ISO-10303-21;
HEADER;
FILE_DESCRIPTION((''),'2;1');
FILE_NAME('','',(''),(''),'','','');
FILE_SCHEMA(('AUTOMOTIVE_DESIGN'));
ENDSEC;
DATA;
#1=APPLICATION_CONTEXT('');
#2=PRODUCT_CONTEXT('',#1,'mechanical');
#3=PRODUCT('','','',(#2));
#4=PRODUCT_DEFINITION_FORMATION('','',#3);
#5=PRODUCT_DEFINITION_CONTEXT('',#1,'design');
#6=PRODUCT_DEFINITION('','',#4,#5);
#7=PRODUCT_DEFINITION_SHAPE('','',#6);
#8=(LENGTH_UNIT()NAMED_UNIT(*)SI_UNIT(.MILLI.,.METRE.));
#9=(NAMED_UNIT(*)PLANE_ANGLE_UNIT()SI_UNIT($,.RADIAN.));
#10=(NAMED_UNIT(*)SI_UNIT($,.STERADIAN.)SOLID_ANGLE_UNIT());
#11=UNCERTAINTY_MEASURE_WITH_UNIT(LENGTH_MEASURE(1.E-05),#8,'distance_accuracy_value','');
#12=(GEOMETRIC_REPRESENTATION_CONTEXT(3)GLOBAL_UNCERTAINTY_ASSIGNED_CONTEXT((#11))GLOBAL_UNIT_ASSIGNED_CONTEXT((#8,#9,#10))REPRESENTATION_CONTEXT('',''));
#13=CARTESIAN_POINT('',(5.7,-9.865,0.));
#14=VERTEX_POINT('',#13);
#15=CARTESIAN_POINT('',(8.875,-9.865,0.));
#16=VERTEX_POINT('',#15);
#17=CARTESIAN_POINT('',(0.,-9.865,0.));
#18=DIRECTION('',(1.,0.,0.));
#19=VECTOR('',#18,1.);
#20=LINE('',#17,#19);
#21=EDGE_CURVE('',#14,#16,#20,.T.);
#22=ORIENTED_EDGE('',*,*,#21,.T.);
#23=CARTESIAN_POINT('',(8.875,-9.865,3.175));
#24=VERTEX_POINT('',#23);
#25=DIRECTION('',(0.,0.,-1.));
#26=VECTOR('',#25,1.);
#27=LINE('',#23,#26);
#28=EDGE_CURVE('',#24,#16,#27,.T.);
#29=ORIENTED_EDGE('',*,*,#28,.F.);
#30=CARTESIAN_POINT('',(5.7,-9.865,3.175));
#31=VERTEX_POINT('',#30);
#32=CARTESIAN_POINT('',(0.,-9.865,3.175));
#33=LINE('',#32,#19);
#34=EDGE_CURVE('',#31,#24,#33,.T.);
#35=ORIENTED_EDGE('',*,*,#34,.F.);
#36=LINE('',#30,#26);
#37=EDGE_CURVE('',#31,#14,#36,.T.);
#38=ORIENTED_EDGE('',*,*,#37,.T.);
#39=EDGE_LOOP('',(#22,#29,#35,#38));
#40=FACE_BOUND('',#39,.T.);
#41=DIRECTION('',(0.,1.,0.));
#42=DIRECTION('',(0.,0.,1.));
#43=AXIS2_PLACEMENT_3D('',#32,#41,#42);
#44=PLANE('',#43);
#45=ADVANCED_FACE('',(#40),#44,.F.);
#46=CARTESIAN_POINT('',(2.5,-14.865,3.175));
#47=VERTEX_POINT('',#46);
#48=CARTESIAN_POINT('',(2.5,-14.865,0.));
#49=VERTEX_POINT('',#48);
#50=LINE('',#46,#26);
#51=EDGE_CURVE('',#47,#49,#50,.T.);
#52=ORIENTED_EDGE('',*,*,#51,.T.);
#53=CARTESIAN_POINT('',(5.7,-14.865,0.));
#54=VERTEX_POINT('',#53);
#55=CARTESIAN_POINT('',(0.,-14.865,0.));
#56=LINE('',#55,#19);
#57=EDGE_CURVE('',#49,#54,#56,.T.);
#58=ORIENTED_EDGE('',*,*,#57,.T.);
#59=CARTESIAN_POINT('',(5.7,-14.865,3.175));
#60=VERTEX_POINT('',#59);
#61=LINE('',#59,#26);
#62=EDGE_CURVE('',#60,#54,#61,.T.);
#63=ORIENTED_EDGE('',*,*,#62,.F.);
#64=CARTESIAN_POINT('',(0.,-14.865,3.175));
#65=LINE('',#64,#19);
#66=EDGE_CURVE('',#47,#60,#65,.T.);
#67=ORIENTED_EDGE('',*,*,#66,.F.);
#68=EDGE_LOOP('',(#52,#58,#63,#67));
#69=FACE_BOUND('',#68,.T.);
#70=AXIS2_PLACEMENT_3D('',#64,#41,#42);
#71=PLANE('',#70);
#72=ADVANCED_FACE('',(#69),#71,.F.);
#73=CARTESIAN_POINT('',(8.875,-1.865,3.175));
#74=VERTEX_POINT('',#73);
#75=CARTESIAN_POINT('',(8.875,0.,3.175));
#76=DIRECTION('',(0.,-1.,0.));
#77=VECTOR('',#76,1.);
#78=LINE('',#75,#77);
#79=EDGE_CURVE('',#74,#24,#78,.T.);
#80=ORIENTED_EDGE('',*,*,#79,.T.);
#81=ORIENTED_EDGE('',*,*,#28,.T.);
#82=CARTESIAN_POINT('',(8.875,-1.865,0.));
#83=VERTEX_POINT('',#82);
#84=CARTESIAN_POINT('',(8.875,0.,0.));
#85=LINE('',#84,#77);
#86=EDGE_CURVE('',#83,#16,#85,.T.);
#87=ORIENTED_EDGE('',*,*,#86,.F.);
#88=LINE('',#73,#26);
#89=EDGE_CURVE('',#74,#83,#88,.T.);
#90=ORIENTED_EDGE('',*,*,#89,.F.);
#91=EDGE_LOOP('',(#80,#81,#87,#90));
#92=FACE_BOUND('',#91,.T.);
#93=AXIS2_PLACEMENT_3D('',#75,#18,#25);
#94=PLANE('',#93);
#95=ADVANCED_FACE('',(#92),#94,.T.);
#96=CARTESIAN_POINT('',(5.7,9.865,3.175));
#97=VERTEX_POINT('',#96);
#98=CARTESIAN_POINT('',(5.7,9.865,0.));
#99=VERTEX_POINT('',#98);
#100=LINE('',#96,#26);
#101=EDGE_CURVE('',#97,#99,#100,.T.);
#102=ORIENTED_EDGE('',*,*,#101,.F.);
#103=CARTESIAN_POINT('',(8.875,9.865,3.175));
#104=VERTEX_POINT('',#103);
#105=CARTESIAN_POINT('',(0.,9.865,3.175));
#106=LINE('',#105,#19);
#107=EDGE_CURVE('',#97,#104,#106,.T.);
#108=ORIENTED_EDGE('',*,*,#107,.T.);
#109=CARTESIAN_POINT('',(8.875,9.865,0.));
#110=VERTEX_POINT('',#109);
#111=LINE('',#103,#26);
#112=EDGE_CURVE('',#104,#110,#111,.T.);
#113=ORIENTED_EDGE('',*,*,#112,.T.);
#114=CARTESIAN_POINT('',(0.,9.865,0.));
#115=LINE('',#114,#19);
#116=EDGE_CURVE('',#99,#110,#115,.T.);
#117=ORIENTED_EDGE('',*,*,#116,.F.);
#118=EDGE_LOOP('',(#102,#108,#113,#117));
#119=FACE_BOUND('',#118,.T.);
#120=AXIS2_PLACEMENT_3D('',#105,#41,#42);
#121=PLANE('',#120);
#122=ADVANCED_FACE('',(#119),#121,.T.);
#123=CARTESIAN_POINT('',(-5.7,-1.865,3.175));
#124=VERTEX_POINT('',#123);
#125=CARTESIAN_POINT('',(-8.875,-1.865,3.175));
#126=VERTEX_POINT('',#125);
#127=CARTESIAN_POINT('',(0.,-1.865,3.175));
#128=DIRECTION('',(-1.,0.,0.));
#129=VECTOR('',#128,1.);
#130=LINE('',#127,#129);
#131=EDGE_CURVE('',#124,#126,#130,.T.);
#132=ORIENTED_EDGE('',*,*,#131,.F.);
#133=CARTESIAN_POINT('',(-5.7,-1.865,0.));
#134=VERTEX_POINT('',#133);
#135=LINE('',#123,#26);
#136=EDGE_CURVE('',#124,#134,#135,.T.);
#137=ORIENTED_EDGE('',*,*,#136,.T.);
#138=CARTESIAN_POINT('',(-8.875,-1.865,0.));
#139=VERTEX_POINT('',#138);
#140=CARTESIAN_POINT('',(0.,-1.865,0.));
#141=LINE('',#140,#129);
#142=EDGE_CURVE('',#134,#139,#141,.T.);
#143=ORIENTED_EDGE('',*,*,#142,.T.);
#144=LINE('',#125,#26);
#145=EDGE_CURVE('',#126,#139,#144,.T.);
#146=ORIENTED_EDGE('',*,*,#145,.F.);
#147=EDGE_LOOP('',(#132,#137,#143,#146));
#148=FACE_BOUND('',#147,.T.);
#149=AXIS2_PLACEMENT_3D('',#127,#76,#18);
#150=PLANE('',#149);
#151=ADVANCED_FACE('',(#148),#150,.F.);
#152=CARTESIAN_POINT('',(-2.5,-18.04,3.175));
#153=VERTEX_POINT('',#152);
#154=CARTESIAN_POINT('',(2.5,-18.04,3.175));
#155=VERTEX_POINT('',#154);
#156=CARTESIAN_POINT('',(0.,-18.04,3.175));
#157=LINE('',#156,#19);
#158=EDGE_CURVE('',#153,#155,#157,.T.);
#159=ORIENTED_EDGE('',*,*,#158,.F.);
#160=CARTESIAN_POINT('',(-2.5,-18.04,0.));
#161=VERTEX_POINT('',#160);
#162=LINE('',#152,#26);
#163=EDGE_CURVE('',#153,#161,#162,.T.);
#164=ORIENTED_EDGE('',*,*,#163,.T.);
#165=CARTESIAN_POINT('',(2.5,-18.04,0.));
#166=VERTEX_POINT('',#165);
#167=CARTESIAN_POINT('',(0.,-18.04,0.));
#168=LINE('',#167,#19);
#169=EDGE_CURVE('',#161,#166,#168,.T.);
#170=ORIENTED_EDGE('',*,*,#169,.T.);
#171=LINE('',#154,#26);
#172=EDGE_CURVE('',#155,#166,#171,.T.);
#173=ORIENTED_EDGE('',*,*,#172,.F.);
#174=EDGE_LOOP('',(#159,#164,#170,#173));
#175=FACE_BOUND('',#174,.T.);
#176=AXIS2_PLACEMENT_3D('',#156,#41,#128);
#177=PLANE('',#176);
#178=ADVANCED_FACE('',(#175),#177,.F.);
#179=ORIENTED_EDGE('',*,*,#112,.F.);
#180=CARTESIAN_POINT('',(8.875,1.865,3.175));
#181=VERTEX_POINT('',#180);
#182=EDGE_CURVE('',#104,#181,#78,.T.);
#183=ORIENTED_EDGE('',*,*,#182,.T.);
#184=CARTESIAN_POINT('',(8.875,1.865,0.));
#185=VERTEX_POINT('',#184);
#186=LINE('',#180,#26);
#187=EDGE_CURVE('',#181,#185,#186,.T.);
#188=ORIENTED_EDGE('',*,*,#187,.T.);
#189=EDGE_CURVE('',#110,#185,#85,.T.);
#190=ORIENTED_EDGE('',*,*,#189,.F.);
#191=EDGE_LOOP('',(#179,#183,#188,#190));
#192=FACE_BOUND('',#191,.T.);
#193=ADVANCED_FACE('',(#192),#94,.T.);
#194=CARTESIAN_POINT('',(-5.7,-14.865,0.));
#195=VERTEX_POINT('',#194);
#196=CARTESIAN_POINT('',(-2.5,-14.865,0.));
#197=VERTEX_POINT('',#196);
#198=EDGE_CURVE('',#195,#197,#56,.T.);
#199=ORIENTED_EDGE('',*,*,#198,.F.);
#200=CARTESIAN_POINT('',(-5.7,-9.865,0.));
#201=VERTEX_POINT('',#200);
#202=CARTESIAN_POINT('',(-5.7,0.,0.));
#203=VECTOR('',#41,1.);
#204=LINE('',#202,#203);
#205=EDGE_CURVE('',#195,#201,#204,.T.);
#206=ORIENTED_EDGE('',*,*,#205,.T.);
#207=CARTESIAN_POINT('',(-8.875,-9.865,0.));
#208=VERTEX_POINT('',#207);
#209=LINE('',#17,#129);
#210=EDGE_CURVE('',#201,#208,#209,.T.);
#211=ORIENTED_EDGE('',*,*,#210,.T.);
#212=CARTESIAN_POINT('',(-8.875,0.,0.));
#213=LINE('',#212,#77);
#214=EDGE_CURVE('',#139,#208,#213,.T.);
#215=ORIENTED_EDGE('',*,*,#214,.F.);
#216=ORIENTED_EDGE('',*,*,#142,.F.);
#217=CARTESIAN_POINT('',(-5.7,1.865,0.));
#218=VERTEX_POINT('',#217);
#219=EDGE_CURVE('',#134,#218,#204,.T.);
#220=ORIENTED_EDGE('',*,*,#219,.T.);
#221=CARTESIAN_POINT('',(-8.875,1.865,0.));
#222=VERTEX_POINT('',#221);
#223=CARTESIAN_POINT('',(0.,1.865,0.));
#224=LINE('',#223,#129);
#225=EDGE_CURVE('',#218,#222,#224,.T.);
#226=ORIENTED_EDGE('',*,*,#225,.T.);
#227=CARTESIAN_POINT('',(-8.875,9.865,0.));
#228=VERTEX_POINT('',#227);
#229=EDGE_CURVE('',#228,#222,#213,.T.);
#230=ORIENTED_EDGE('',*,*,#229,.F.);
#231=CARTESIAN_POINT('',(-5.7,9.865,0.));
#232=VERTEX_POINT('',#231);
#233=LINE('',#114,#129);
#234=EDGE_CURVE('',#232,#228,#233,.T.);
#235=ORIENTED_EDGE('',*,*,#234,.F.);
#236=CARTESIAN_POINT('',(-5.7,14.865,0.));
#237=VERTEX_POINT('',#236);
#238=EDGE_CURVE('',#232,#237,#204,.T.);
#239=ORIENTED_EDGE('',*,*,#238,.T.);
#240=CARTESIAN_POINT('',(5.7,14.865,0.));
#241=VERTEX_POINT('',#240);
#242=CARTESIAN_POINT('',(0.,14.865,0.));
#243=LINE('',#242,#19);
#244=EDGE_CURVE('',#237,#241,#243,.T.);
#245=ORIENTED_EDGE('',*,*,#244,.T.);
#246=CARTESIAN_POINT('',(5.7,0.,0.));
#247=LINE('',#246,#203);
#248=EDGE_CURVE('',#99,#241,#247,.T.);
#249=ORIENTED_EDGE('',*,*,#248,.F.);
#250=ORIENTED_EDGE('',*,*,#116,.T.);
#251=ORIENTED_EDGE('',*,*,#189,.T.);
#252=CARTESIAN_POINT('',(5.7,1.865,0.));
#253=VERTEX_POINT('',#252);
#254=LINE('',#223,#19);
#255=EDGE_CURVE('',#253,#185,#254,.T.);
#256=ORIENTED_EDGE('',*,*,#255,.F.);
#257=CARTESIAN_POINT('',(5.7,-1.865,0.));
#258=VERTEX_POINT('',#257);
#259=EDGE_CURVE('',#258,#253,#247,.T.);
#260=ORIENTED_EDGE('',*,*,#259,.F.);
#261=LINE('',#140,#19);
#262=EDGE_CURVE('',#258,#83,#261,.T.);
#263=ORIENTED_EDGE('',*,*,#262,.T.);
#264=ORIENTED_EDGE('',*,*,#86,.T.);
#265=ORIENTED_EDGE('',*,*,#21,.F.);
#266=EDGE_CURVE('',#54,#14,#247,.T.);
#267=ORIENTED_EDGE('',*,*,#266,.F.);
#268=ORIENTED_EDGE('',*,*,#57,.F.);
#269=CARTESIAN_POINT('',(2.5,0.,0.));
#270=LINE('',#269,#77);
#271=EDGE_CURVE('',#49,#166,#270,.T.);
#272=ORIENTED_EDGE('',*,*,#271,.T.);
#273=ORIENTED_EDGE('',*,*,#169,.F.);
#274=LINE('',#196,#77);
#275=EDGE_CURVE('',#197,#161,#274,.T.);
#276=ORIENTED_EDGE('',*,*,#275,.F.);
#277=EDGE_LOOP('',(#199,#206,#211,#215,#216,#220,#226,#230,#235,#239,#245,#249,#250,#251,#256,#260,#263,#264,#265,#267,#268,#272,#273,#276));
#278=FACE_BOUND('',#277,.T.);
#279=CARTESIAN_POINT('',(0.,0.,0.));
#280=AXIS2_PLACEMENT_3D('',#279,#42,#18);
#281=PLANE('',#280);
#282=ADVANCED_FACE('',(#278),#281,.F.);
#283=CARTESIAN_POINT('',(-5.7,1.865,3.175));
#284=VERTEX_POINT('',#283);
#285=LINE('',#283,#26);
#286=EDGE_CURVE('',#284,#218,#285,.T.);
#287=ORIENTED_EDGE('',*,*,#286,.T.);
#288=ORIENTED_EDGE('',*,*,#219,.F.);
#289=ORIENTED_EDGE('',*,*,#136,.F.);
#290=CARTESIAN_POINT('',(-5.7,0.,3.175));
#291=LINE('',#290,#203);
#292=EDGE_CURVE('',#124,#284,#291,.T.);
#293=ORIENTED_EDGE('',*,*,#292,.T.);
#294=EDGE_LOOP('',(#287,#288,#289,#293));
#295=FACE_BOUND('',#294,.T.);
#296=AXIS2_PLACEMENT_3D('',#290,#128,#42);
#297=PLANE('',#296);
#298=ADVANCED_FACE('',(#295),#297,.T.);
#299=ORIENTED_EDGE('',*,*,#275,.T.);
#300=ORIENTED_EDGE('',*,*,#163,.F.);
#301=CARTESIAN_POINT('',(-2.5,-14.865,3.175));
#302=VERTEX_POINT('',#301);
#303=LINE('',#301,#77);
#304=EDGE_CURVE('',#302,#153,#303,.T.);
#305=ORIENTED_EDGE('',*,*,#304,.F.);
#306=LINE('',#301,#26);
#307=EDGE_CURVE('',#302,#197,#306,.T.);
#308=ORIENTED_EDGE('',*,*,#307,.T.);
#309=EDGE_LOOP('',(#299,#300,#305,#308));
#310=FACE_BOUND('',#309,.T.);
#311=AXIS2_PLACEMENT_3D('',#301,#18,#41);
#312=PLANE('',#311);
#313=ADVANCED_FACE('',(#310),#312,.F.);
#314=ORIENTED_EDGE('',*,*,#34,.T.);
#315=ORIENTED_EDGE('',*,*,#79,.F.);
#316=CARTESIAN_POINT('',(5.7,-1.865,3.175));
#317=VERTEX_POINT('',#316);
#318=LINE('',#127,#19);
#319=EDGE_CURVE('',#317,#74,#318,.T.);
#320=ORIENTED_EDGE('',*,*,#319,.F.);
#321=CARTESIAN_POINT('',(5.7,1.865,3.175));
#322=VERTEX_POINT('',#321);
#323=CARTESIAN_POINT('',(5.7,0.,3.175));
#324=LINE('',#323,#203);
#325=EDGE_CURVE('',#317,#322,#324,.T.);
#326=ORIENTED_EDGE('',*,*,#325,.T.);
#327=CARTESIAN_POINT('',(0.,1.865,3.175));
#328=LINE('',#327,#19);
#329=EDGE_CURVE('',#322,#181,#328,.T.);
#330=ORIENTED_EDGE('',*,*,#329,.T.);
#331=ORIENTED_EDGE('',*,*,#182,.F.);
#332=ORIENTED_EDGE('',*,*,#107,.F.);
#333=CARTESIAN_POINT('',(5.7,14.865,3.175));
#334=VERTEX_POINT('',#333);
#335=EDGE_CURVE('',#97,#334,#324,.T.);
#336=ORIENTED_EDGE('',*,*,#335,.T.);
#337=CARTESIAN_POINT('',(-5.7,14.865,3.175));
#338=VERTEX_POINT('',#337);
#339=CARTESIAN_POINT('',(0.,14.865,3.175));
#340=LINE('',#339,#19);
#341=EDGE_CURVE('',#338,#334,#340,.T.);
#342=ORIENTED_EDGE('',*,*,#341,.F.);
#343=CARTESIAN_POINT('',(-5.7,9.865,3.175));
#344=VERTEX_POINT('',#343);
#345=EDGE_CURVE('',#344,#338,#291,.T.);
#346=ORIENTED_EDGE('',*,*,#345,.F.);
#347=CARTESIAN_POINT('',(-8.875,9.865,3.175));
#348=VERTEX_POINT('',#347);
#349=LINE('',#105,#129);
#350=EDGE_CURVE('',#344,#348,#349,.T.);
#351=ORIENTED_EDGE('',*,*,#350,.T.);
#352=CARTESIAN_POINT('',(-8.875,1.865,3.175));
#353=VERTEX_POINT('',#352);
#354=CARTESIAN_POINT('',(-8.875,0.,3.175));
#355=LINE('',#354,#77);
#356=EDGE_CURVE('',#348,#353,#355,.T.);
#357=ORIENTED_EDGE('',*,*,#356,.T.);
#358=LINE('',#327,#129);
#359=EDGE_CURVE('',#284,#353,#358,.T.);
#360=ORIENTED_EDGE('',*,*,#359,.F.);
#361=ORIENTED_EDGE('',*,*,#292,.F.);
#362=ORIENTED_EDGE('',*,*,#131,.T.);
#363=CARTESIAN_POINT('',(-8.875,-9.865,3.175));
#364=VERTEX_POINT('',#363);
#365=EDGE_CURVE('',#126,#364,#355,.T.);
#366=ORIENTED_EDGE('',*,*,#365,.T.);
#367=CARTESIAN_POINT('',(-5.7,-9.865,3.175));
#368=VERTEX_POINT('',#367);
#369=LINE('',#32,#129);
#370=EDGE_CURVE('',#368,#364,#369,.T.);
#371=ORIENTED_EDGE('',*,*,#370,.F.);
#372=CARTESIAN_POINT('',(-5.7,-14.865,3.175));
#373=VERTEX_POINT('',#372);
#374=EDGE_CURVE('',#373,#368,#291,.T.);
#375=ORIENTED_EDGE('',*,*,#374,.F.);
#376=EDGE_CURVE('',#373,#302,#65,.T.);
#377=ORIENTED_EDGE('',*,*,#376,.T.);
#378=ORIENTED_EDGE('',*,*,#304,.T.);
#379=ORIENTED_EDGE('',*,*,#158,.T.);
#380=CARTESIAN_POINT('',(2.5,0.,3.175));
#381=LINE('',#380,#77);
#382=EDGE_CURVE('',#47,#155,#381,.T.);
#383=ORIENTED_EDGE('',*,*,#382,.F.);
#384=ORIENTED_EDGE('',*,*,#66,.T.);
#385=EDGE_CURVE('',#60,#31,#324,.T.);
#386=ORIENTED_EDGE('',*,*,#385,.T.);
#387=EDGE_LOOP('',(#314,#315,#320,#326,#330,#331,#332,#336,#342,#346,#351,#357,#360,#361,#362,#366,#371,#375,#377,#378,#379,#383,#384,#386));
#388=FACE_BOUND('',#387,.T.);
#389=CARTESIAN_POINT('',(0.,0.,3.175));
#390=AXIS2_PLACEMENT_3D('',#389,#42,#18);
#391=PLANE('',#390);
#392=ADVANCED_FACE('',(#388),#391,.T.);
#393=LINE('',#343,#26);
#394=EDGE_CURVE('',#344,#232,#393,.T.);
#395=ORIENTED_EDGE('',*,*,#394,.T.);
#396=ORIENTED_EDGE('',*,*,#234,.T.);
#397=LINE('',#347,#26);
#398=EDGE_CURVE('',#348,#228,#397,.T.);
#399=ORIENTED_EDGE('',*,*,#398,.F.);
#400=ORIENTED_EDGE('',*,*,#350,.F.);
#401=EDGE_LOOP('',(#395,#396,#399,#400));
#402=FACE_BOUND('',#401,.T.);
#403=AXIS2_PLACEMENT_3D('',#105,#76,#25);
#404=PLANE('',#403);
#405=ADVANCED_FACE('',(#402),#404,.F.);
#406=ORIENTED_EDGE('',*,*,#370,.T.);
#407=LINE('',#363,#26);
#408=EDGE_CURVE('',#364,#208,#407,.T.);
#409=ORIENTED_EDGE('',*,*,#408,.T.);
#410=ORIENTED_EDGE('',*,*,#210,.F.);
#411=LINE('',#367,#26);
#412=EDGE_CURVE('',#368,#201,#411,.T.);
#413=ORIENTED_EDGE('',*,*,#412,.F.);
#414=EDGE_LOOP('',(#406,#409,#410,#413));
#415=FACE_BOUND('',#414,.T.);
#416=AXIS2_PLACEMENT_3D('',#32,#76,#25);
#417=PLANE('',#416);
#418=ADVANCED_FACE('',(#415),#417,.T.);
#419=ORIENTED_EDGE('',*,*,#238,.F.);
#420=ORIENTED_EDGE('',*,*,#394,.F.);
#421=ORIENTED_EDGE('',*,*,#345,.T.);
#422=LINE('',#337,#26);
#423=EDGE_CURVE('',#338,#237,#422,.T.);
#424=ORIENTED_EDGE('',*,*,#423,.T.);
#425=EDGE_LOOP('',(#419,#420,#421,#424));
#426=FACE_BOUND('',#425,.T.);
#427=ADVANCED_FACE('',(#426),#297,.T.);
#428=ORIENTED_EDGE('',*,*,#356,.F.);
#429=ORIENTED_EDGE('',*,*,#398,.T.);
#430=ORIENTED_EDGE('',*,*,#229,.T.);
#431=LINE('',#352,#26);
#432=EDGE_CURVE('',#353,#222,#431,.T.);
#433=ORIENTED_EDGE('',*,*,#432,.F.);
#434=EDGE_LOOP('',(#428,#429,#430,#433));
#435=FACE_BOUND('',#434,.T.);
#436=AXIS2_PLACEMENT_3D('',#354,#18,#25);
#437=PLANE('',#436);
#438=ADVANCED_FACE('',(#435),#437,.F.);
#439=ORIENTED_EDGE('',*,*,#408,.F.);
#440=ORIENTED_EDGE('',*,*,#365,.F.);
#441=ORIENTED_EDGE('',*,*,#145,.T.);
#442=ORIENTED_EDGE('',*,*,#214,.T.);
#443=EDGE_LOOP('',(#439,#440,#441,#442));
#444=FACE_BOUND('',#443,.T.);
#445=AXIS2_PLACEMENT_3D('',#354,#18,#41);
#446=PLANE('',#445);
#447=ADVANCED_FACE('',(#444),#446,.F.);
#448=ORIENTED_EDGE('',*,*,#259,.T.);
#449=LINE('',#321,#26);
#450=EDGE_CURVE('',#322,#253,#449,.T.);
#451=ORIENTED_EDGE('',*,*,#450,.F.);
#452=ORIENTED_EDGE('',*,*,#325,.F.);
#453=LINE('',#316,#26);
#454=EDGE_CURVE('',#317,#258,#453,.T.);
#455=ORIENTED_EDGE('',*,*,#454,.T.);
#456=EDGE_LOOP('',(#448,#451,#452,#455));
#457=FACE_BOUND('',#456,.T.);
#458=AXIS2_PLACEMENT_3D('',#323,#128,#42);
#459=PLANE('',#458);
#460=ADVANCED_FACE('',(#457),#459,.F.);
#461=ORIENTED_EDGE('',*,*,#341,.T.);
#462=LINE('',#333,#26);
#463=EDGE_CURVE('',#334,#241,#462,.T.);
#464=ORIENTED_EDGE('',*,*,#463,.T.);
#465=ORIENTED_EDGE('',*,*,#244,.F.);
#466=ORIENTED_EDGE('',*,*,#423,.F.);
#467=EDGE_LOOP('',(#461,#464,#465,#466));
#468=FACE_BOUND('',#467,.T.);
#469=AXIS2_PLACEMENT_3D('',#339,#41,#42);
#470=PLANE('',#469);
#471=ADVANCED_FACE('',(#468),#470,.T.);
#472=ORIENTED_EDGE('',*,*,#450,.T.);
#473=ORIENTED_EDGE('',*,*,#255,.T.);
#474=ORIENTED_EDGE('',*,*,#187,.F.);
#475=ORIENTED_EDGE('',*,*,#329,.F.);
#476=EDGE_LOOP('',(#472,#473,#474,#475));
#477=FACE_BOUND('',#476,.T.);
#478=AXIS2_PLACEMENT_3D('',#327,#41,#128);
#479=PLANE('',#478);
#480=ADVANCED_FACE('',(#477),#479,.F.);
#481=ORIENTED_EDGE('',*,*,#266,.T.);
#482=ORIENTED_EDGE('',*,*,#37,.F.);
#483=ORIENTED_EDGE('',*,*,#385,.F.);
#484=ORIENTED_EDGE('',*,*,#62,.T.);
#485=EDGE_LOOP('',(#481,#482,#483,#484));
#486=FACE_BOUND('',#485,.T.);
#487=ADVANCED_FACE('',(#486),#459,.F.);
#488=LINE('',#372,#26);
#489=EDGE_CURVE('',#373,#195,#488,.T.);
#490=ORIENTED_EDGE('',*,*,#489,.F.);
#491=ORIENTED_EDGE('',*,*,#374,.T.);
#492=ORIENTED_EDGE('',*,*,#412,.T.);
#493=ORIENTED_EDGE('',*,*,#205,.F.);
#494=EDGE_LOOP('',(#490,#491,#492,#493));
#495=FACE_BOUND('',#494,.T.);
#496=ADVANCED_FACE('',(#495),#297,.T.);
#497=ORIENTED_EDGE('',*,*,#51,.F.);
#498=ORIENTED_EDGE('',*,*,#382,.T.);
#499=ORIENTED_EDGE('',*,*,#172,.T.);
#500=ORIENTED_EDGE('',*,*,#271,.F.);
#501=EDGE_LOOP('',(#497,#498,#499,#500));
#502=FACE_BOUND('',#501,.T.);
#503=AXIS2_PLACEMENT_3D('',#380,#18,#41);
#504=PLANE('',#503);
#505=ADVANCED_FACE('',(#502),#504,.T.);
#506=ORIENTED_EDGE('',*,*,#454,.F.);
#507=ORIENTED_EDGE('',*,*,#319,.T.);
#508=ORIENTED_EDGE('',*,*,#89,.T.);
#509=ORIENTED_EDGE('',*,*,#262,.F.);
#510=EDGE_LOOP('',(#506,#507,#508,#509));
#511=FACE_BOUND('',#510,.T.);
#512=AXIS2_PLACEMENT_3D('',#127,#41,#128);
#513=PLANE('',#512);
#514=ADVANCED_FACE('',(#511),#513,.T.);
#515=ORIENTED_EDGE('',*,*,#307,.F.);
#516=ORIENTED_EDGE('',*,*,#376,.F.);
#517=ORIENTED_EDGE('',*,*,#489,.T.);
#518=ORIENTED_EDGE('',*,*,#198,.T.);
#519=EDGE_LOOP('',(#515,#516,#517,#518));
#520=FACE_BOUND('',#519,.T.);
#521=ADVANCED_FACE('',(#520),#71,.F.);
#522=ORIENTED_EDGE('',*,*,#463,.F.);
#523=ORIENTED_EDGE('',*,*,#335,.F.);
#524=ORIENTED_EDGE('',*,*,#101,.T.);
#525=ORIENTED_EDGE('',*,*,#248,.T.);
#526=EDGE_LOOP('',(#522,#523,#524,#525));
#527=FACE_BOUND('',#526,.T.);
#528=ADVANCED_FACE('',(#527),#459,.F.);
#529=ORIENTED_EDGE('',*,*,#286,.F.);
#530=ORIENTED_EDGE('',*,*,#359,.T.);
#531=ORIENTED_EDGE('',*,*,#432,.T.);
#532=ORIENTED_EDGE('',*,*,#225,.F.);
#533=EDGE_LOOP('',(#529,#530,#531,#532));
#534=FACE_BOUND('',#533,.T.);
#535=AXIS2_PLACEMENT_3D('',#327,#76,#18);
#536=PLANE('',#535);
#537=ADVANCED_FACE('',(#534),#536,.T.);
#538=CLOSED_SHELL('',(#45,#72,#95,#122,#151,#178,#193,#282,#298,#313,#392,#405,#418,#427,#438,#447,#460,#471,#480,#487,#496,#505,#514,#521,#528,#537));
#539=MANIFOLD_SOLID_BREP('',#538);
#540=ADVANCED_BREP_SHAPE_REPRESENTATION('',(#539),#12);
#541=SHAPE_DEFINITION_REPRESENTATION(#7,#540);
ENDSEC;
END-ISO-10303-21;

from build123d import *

# Parameters (mm, degrees)
BOSS_EXTRUDE1_DEPTH = 3.175


with BuildPart() as part:
    # Sketch1 → Boss-Extrude1 (new body)
    with BuildSketch(Plane.XY):
        Polygon((-5.7, -14.865), (-2.5, -14.865), (-2.5, -18.04), (2.5, -18.04), (2.5, -14.865), (5.7, -14.865), (5.7, -9.865), (8.875, -9.865), (8.875, -1.865), (5.7, -1.865), (5.7, 1.865), (8.875, 1.865), (8.875, 9.865), (5.7, 9.865), (5.7, 14.865), (-5.7, 14.865), (-5.7, 9.865), (-8.875, 9.865), (-8.875, 1.865), (-5.7, 1.865), (-5.7, -1.865), (-8.875, -1.865), (-8.875, -9.865), (-5.7, -9.865), align=None)
    extrude(amount=BOSS_EXTRUDE1_DEPTH)


solid = part.part
